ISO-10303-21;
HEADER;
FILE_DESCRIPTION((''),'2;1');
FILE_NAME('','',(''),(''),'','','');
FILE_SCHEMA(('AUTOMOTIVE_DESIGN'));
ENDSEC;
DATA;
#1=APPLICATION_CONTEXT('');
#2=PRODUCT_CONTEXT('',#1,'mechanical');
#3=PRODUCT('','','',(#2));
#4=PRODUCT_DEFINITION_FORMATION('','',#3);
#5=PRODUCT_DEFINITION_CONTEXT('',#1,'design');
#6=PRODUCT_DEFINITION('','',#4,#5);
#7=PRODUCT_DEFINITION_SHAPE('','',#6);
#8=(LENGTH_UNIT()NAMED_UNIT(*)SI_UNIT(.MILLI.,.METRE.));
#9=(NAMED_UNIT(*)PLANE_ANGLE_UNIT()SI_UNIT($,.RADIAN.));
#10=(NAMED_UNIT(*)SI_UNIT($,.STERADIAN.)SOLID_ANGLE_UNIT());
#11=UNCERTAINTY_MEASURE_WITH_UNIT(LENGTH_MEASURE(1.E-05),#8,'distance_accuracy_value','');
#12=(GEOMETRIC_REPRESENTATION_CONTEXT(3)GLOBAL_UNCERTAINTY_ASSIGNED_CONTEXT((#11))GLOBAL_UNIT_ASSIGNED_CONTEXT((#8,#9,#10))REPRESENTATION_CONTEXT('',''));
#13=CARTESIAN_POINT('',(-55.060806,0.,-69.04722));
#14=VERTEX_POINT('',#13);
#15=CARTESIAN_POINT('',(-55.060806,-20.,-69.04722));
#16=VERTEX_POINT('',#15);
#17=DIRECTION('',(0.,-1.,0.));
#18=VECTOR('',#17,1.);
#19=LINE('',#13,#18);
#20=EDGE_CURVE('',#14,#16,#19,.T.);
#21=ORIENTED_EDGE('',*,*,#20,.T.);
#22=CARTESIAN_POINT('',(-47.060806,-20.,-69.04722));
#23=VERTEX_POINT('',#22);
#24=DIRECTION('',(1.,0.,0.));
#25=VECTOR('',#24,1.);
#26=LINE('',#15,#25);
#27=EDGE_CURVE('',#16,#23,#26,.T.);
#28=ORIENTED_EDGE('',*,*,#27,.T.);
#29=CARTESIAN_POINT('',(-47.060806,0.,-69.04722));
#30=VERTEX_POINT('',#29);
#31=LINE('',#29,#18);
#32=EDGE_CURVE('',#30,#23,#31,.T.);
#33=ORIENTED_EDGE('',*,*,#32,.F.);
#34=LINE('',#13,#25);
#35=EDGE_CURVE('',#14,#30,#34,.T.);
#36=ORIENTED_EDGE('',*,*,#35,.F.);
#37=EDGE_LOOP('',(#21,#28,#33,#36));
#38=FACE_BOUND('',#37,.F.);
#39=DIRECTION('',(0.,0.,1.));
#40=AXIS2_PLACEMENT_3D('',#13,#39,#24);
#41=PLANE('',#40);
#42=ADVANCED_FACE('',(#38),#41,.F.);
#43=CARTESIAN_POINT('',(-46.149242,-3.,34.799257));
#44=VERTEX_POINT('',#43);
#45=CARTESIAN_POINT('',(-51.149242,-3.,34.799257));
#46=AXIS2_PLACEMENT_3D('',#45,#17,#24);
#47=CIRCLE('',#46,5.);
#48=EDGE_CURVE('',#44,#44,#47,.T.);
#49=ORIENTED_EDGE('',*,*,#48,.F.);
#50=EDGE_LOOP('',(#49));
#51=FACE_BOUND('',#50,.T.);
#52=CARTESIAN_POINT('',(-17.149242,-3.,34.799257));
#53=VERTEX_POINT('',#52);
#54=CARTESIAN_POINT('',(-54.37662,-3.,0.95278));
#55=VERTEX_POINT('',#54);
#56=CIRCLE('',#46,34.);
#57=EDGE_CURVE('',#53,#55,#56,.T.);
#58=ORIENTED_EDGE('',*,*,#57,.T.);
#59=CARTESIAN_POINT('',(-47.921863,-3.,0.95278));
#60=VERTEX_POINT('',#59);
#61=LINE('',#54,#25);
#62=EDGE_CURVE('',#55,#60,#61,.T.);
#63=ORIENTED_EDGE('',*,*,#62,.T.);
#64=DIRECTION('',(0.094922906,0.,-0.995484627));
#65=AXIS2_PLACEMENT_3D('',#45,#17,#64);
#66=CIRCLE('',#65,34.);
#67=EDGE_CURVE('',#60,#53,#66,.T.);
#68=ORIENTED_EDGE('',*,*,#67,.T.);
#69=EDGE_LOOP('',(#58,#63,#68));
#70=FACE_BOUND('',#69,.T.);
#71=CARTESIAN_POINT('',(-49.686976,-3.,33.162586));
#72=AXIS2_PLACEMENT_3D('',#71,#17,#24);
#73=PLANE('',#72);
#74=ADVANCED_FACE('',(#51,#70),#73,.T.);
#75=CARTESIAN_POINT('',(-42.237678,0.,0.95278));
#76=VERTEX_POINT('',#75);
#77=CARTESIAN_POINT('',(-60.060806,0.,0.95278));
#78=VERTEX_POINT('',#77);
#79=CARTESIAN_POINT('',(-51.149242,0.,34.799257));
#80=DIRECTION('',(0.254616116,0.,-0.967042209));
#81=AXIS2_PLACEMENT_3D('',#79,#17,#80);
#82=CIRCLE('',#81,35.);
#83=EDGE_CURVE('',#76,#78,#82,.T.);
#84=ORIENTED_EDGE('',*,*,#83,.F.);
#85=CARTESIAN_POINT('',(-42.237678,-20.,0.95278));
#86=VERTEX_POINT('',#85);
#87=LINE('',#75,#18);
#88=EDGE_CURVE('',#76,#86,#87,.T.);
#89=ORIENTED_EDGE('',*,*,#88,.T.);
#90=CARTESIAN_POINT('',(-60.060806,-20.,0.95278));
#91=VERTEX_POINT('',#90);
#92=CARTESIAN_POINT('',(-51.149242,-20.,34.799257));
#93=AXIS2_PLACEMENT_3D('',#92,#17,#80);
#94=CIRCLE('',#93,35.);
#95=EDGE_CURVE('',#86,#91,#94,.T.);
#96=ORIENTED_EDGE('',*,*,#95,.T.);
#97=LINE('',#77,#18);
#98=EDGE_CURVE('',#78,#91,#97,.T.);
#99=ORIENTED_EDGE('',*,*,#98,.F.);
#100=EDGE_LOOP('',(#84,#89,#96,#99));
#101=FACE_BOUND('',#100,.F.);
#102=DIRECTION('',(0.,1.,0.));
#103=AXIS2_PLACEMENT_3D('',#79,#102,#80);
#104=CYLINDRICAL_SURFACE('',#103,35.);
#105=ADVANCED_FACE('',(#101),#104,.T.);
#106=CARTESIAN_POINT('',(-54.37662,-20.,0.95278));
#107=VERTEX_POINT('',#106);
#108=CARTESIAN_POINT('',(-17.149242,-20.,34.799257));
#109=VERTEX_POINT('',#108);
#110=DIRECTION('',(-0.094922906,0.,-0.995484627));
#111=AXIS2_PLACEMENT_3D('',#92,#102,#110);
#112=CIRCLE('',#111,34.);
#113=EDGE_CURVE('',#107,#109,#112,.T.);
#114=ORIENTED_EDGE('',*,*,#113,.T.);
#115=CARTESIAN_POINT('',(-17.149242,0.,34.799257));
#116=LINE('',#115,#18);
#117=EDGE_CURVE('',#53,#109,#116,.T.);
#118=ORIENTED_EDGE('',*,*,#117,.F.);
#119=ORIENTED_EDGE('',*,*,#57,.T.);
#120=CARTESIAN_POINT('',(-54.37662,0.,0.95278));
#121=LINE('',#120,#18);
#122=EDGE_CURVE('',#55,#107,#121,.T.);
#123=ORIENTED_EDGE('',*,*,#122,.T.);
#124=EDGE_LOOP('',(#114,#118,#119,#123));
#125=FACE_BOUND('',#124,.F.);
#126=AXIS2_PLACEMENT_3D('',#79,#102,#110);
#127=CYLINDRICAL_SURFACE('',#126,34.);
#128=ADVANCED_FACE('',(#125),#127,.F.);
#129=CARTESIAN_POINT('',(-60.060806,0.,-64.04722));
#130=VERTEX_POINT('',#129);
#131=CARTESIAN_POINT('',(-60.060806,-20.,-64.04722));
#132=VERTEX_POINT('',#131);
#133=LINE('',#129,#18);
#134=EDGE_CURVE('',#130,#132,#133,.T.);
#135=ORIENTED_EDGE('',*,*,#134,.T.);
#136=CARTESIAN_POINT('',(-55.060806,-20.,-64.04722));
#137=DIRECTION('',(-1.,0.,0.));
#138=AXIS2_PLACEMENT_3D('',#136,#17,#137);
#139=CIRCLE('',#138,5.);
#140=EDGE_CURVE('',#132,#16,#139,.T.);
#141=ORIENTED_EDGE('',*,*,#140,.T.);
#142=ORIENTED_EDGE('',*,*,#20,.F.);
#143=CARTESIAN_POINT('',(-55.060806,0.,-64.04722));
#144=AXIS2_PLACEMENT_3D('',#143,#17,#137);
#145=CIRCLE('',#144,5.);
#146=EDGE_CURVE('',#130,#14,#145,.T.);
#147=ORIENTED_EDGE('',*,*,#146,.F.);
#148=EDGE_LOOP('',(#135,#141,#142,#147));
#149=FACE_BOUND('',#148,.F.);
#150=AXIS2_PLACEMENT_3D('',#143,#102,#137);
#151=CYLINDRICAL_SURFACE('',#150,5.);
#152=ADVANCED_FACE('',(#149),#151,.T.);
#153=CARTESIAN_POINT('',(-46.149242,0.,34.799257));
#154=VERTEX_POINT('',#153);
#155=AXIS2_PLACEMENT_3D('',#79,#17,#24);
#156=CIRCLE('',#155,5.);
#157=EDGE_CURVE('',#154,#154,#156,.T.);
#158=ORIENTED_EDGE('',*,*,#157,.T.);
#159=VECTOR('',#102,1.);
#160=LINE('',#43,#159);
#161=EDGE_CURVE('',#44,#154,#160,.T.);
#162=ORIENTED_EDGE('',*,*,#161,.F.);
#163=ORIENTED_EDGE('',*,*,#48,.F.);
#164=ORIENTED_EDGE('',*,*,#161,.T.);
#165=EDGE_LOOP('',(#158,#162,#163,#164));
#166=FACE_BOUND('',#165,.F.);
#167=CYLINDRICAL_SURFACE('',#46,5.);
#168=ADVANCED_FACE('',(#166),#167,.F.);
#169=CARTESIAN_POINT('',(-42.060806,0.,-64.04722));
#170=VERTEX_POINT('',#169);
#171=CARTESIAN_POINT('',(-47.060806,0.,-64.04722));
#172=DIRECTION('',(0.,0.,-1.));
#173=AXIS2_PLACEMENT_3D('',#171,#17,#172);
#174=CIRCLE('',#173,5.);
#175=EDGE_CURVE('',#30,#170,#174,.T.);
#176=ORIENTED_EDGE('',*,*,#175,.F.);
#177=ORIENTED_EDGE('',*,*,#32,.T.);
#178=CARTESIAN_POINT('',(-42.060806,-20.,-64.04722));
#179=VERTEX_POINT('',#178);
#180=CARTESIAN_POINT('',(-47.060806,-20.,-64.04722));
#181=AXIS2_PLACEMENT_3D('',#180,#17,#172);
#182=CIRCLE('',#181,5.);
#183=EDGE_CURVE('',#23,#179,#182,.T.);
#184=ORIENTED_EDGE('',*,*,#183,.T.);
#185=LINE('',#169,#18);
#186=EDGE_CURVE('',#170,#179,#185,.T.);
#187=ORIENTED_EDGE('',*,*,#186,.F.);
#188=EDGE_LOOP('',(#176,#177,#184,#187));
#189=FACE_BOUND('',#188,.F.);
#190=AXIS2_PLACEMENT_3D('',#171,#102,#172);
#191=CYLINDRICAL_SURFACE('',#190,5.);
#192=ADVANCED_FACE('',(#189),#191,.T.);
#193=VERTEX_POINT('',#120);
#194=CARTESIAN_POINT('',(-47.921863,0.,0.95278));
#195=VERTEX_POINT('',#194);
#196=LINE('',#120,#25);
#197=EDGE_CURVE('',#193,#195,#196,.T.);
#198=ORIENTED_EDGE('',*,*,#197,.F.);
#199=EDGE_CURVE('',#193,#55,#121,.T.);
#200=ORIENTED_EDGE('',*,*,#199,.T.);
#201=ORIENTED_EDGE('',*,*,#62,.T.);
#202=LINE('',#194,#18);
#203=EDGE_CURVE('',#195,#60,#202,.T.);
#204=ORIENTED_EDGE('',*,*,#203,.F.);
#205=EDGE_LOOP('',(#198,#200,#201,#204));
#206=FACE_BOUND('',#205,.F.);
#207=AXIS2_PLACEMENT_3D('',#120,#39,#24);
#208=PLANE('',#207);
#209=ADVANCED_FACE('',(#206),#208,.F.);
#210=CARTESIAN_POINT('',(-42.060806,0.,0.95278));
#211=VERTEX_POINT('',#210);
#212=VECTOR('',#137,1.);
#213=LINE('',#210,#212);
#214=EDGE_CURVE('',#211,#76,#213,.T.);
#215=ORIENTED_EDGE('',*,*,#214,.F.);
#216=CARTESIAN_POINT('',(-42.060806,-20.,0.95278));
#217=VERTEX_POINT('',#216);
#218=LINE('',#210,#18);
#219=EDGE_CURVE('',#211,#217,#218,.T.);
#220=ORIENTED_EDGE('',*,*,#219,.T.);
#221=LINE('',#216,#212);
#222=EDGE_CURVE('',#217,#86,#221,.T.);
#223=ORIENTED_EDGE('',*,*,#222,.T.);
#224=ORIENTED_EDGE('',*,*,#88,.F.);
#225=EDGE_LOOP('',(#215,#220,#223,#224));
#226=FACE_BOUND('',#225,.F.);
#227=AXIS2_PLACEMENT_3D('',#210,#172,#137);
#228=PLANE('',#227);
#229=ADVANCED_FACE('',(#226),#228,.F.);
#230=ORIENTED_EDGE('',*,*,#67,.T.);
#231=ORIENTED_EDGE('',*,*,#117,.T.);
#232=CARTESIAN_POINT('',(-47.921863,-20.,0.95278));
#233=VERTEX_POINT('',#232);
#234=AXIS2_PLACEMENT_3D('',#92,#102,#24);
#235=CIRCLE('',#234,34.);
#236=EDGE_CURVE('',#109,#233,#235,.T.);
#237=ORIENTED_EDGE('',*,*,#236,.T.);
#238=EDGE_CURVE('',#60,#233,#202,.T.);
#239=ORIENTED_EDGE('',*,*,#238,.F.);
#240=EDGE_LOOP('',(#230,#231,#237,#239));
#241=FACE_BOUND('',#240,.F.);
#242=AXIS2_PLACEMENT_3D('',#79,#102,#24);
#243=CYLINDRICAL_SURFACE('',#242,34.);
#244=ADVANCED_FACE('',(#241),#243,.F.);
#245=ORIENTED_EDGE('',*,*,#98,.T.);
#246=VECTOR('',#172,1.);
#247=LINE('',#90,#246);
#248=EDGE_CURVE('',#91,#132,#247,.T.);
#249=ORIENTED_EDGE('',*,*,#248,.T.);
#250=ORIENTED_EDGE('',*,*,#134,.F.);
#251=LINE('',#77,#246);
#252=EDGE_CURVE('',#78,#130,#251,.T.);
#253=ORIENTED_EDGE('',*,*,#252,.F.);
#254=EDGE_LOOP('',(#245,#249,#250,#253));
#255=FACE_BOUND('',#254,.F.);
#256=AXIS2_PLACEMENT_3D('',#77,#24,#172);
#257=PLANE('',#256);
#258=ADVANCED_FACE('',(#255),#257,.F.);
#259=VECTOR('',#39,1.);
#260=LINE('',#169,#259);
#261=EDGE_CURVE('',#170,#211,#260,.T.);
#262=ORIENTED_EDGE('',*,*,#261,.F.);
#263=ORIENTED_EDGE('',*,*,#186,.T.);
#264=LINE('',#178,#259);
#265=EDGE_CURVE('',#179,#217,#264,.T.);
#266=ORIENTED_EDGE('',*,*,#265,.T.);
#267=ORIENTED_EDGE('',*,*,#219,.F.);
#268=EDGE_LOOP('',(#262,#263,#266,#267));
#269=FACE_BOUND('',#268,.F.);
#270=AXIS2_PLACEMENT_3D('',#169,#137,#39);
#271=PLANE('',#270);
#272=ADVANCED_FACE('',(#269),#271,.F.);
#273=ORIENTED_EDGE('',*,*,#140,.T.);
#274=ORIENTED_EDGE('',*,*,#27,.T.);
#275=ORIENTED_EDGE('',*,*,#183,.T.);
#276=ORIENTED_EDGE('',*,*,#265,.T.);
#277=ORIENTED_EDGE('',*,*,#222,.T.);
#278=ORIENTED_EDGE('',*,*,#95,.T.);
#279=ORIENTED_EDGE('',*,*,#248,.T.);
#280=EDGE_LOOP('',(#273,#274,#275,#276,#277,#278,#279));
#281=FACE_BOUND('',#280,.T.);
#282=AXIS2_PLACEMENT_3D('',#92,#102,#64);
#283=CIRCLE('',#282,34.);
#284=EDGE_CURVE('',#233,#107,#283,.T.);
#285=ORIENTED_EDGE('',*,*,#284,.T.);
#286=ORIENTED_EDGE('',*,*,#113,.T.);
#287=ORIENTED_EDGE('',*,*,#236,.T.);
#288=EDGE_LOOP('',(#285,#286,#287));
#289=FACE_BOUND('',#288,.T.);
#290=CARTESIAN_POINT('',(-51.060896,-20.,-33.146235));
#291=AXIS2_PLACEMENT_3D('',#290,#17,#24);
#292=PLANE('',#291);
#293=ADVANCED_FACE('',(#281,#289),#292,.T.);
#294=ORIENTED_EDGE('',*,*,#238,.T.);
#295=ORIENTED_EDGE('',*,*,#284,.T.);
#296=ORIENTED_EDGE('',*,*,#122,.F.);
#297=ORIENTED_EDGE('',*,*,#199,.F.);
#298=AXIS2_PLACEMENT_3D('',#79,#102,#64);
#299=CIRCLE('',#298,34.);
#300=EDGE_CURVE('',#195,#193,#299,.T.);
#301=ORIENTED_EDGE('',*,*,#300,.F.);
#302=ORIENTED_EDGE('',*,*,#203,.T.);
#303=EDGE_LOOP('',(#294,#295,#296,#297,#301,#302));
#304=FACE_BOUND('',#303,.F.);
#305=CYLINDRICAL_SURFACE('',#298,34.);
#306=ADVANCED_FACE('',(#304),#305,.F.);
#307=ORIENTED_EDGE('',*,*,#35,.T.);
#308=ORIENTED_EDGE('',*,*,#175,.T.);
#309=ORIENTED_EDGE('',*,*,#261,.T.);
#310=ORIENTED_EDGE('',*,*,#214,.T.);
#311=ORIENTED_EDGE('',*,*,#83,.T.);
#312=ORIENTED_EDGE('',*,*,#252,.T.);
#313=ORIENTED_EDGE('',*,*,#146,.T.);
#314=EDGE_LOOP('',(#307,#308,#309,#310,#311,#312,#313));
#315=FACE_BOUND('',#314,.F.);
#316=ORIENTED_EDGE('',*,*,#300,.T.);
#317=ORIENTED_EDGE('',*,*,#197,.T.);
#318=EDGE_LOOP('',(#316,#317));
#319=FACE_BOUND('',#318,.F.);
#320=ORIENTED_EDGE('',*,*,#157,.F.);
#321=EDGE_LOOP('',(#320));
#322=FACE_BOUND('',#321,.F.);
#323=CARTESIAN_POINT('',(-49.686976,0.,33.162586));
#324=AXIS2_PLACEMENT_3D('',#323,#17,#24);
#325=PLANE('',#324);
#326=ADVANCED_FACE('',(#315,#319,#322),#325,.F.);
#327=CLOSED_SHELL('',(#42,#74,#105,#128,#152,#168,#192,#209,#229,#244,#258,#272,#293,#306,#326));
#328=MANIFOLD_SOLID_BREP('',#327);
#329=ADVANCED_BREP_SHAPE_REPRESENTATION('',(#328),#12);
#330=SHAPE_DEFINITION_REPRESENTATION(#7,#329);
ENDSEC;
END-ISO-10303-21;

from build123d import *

# Parameters (mm, degrees)
F1_DEPTH = 20
F2_DEPTH = 20
F3_DEPTH = 3
F4_R     = 5
F5_DEPTH = 100


with BuildPart() as f1:
    # F0 (on Front) → F1 (new body)
    with BuildSketch(Plane.XZ):
        with BuildLine():
            ThreePointArc((-42.2376775657, 0.9527799487), (-23.4282681394, 13.4322820603), (-16.1492416263, 34.7992572542))
            ThreePointArc((-16.1492416263, 34.7992572542), (-72.5162168202, 62.5202307411), (-60.0608056868, 0.9527799487))
            Line((-60.0608056868, 0.9527799487), (-54.3766204398, 0.9527799487))
            ThreePointArc((-54.3766204398, 0.9527799487), (-74.0213766418, 59.9560742196), (-17.1492416263, 34.7992572542))
            ThreePointArc((-17.1492416263, 34.7992572542), (-25.9924246609, 11.9271222387), (-47.9218628128, 0.9527799487))
            Line((-47.9218628128, 0.9527799487), (-42.2376775657, 0.9527799487))
        make_face()
    extrude(amount=F1_DEPTH)

    # F0 (on Front) → F2 (join)
    with BuildSketch(Plane.XZ):
        with BuildLine():
            ThreePointArc((-42.2376775657, 0.9527799487), (-51.1492416263, -0.2007427458), (-60.0608056868, 0.9527799487))
            Line((-60.0608056868, 0.9527799487), (-60.0608056868, -64.0472200513))
            ThreePointArc((-60.0608056868, -64.0472200513), (-58.5963395928, -67.5827539572), (-55.0608056868, -69.0472200513))
            Line((-55.0608056868, -69.0472200513), (-47.0608056868, -69.0472200513))
            ThreePointArc((-47.0608056868, -69.0472200513), (-43.5252717809, -67.5827539572), (-42.0608056868, -64.0472200513))
            Line((-42.0608056868, -64.0472200513), (-42.0608056868, 0.9527799487))
            Line((-42.0608056868, 0.9527799487), (-42.2376775657, 0.9527799487))
        make_face()
        with BuildLine():
            Line((-54.3766204398, 0.9527799487), (-60.0608056868, 0.9527799487))
            ThreePointArc((-60.0608056868, 0.9527799487), (-51.1492416263, -0.2007427458), (-42.2376775657, 0.9527799487))
            Line((-42.2376775657, 0.9527799487), (-47.9218628128, 0.9527799487))
            ThreePointArc((-47.9218628128, 0.9527799487), (-51.1492416263, 0.7992572542), (-54.3766204398, 0.9527799487))
        make_face()
    extrude(amount=F2_DEPTH)

    # F0 (on Front) → F3 (join)
    with BuildSketch(Plane.XZ):
        with BuildLine():
            ThreePointArc((-17.1492416263, 34.7992572542), (-74.0213766418, 59.9560742196), (-54.3766204398, 0.9527799487))
            Line((-54.3766204398, 0.9527799487), (-47.9218628128, 0.9527799487))
            ThreePointArc((-47.9218628128, 0.9527799487), (-25.9924246609, 11.9271222387), (-17.1492416263, 34.7992572542))
        make_face()
    extrude(amount=F3_DEPTH)

    # F4 (on face) → F5 (cut)
    with BuildSketch(Plane.XZ.offset(3)):
        with Locations((-51.1492416263, 34.7992572542)):
            Circle(F4_R)
    extrude(amount=-F5_DEPTH, mode=Mode.SUBTRACT)


solid = f1.part
